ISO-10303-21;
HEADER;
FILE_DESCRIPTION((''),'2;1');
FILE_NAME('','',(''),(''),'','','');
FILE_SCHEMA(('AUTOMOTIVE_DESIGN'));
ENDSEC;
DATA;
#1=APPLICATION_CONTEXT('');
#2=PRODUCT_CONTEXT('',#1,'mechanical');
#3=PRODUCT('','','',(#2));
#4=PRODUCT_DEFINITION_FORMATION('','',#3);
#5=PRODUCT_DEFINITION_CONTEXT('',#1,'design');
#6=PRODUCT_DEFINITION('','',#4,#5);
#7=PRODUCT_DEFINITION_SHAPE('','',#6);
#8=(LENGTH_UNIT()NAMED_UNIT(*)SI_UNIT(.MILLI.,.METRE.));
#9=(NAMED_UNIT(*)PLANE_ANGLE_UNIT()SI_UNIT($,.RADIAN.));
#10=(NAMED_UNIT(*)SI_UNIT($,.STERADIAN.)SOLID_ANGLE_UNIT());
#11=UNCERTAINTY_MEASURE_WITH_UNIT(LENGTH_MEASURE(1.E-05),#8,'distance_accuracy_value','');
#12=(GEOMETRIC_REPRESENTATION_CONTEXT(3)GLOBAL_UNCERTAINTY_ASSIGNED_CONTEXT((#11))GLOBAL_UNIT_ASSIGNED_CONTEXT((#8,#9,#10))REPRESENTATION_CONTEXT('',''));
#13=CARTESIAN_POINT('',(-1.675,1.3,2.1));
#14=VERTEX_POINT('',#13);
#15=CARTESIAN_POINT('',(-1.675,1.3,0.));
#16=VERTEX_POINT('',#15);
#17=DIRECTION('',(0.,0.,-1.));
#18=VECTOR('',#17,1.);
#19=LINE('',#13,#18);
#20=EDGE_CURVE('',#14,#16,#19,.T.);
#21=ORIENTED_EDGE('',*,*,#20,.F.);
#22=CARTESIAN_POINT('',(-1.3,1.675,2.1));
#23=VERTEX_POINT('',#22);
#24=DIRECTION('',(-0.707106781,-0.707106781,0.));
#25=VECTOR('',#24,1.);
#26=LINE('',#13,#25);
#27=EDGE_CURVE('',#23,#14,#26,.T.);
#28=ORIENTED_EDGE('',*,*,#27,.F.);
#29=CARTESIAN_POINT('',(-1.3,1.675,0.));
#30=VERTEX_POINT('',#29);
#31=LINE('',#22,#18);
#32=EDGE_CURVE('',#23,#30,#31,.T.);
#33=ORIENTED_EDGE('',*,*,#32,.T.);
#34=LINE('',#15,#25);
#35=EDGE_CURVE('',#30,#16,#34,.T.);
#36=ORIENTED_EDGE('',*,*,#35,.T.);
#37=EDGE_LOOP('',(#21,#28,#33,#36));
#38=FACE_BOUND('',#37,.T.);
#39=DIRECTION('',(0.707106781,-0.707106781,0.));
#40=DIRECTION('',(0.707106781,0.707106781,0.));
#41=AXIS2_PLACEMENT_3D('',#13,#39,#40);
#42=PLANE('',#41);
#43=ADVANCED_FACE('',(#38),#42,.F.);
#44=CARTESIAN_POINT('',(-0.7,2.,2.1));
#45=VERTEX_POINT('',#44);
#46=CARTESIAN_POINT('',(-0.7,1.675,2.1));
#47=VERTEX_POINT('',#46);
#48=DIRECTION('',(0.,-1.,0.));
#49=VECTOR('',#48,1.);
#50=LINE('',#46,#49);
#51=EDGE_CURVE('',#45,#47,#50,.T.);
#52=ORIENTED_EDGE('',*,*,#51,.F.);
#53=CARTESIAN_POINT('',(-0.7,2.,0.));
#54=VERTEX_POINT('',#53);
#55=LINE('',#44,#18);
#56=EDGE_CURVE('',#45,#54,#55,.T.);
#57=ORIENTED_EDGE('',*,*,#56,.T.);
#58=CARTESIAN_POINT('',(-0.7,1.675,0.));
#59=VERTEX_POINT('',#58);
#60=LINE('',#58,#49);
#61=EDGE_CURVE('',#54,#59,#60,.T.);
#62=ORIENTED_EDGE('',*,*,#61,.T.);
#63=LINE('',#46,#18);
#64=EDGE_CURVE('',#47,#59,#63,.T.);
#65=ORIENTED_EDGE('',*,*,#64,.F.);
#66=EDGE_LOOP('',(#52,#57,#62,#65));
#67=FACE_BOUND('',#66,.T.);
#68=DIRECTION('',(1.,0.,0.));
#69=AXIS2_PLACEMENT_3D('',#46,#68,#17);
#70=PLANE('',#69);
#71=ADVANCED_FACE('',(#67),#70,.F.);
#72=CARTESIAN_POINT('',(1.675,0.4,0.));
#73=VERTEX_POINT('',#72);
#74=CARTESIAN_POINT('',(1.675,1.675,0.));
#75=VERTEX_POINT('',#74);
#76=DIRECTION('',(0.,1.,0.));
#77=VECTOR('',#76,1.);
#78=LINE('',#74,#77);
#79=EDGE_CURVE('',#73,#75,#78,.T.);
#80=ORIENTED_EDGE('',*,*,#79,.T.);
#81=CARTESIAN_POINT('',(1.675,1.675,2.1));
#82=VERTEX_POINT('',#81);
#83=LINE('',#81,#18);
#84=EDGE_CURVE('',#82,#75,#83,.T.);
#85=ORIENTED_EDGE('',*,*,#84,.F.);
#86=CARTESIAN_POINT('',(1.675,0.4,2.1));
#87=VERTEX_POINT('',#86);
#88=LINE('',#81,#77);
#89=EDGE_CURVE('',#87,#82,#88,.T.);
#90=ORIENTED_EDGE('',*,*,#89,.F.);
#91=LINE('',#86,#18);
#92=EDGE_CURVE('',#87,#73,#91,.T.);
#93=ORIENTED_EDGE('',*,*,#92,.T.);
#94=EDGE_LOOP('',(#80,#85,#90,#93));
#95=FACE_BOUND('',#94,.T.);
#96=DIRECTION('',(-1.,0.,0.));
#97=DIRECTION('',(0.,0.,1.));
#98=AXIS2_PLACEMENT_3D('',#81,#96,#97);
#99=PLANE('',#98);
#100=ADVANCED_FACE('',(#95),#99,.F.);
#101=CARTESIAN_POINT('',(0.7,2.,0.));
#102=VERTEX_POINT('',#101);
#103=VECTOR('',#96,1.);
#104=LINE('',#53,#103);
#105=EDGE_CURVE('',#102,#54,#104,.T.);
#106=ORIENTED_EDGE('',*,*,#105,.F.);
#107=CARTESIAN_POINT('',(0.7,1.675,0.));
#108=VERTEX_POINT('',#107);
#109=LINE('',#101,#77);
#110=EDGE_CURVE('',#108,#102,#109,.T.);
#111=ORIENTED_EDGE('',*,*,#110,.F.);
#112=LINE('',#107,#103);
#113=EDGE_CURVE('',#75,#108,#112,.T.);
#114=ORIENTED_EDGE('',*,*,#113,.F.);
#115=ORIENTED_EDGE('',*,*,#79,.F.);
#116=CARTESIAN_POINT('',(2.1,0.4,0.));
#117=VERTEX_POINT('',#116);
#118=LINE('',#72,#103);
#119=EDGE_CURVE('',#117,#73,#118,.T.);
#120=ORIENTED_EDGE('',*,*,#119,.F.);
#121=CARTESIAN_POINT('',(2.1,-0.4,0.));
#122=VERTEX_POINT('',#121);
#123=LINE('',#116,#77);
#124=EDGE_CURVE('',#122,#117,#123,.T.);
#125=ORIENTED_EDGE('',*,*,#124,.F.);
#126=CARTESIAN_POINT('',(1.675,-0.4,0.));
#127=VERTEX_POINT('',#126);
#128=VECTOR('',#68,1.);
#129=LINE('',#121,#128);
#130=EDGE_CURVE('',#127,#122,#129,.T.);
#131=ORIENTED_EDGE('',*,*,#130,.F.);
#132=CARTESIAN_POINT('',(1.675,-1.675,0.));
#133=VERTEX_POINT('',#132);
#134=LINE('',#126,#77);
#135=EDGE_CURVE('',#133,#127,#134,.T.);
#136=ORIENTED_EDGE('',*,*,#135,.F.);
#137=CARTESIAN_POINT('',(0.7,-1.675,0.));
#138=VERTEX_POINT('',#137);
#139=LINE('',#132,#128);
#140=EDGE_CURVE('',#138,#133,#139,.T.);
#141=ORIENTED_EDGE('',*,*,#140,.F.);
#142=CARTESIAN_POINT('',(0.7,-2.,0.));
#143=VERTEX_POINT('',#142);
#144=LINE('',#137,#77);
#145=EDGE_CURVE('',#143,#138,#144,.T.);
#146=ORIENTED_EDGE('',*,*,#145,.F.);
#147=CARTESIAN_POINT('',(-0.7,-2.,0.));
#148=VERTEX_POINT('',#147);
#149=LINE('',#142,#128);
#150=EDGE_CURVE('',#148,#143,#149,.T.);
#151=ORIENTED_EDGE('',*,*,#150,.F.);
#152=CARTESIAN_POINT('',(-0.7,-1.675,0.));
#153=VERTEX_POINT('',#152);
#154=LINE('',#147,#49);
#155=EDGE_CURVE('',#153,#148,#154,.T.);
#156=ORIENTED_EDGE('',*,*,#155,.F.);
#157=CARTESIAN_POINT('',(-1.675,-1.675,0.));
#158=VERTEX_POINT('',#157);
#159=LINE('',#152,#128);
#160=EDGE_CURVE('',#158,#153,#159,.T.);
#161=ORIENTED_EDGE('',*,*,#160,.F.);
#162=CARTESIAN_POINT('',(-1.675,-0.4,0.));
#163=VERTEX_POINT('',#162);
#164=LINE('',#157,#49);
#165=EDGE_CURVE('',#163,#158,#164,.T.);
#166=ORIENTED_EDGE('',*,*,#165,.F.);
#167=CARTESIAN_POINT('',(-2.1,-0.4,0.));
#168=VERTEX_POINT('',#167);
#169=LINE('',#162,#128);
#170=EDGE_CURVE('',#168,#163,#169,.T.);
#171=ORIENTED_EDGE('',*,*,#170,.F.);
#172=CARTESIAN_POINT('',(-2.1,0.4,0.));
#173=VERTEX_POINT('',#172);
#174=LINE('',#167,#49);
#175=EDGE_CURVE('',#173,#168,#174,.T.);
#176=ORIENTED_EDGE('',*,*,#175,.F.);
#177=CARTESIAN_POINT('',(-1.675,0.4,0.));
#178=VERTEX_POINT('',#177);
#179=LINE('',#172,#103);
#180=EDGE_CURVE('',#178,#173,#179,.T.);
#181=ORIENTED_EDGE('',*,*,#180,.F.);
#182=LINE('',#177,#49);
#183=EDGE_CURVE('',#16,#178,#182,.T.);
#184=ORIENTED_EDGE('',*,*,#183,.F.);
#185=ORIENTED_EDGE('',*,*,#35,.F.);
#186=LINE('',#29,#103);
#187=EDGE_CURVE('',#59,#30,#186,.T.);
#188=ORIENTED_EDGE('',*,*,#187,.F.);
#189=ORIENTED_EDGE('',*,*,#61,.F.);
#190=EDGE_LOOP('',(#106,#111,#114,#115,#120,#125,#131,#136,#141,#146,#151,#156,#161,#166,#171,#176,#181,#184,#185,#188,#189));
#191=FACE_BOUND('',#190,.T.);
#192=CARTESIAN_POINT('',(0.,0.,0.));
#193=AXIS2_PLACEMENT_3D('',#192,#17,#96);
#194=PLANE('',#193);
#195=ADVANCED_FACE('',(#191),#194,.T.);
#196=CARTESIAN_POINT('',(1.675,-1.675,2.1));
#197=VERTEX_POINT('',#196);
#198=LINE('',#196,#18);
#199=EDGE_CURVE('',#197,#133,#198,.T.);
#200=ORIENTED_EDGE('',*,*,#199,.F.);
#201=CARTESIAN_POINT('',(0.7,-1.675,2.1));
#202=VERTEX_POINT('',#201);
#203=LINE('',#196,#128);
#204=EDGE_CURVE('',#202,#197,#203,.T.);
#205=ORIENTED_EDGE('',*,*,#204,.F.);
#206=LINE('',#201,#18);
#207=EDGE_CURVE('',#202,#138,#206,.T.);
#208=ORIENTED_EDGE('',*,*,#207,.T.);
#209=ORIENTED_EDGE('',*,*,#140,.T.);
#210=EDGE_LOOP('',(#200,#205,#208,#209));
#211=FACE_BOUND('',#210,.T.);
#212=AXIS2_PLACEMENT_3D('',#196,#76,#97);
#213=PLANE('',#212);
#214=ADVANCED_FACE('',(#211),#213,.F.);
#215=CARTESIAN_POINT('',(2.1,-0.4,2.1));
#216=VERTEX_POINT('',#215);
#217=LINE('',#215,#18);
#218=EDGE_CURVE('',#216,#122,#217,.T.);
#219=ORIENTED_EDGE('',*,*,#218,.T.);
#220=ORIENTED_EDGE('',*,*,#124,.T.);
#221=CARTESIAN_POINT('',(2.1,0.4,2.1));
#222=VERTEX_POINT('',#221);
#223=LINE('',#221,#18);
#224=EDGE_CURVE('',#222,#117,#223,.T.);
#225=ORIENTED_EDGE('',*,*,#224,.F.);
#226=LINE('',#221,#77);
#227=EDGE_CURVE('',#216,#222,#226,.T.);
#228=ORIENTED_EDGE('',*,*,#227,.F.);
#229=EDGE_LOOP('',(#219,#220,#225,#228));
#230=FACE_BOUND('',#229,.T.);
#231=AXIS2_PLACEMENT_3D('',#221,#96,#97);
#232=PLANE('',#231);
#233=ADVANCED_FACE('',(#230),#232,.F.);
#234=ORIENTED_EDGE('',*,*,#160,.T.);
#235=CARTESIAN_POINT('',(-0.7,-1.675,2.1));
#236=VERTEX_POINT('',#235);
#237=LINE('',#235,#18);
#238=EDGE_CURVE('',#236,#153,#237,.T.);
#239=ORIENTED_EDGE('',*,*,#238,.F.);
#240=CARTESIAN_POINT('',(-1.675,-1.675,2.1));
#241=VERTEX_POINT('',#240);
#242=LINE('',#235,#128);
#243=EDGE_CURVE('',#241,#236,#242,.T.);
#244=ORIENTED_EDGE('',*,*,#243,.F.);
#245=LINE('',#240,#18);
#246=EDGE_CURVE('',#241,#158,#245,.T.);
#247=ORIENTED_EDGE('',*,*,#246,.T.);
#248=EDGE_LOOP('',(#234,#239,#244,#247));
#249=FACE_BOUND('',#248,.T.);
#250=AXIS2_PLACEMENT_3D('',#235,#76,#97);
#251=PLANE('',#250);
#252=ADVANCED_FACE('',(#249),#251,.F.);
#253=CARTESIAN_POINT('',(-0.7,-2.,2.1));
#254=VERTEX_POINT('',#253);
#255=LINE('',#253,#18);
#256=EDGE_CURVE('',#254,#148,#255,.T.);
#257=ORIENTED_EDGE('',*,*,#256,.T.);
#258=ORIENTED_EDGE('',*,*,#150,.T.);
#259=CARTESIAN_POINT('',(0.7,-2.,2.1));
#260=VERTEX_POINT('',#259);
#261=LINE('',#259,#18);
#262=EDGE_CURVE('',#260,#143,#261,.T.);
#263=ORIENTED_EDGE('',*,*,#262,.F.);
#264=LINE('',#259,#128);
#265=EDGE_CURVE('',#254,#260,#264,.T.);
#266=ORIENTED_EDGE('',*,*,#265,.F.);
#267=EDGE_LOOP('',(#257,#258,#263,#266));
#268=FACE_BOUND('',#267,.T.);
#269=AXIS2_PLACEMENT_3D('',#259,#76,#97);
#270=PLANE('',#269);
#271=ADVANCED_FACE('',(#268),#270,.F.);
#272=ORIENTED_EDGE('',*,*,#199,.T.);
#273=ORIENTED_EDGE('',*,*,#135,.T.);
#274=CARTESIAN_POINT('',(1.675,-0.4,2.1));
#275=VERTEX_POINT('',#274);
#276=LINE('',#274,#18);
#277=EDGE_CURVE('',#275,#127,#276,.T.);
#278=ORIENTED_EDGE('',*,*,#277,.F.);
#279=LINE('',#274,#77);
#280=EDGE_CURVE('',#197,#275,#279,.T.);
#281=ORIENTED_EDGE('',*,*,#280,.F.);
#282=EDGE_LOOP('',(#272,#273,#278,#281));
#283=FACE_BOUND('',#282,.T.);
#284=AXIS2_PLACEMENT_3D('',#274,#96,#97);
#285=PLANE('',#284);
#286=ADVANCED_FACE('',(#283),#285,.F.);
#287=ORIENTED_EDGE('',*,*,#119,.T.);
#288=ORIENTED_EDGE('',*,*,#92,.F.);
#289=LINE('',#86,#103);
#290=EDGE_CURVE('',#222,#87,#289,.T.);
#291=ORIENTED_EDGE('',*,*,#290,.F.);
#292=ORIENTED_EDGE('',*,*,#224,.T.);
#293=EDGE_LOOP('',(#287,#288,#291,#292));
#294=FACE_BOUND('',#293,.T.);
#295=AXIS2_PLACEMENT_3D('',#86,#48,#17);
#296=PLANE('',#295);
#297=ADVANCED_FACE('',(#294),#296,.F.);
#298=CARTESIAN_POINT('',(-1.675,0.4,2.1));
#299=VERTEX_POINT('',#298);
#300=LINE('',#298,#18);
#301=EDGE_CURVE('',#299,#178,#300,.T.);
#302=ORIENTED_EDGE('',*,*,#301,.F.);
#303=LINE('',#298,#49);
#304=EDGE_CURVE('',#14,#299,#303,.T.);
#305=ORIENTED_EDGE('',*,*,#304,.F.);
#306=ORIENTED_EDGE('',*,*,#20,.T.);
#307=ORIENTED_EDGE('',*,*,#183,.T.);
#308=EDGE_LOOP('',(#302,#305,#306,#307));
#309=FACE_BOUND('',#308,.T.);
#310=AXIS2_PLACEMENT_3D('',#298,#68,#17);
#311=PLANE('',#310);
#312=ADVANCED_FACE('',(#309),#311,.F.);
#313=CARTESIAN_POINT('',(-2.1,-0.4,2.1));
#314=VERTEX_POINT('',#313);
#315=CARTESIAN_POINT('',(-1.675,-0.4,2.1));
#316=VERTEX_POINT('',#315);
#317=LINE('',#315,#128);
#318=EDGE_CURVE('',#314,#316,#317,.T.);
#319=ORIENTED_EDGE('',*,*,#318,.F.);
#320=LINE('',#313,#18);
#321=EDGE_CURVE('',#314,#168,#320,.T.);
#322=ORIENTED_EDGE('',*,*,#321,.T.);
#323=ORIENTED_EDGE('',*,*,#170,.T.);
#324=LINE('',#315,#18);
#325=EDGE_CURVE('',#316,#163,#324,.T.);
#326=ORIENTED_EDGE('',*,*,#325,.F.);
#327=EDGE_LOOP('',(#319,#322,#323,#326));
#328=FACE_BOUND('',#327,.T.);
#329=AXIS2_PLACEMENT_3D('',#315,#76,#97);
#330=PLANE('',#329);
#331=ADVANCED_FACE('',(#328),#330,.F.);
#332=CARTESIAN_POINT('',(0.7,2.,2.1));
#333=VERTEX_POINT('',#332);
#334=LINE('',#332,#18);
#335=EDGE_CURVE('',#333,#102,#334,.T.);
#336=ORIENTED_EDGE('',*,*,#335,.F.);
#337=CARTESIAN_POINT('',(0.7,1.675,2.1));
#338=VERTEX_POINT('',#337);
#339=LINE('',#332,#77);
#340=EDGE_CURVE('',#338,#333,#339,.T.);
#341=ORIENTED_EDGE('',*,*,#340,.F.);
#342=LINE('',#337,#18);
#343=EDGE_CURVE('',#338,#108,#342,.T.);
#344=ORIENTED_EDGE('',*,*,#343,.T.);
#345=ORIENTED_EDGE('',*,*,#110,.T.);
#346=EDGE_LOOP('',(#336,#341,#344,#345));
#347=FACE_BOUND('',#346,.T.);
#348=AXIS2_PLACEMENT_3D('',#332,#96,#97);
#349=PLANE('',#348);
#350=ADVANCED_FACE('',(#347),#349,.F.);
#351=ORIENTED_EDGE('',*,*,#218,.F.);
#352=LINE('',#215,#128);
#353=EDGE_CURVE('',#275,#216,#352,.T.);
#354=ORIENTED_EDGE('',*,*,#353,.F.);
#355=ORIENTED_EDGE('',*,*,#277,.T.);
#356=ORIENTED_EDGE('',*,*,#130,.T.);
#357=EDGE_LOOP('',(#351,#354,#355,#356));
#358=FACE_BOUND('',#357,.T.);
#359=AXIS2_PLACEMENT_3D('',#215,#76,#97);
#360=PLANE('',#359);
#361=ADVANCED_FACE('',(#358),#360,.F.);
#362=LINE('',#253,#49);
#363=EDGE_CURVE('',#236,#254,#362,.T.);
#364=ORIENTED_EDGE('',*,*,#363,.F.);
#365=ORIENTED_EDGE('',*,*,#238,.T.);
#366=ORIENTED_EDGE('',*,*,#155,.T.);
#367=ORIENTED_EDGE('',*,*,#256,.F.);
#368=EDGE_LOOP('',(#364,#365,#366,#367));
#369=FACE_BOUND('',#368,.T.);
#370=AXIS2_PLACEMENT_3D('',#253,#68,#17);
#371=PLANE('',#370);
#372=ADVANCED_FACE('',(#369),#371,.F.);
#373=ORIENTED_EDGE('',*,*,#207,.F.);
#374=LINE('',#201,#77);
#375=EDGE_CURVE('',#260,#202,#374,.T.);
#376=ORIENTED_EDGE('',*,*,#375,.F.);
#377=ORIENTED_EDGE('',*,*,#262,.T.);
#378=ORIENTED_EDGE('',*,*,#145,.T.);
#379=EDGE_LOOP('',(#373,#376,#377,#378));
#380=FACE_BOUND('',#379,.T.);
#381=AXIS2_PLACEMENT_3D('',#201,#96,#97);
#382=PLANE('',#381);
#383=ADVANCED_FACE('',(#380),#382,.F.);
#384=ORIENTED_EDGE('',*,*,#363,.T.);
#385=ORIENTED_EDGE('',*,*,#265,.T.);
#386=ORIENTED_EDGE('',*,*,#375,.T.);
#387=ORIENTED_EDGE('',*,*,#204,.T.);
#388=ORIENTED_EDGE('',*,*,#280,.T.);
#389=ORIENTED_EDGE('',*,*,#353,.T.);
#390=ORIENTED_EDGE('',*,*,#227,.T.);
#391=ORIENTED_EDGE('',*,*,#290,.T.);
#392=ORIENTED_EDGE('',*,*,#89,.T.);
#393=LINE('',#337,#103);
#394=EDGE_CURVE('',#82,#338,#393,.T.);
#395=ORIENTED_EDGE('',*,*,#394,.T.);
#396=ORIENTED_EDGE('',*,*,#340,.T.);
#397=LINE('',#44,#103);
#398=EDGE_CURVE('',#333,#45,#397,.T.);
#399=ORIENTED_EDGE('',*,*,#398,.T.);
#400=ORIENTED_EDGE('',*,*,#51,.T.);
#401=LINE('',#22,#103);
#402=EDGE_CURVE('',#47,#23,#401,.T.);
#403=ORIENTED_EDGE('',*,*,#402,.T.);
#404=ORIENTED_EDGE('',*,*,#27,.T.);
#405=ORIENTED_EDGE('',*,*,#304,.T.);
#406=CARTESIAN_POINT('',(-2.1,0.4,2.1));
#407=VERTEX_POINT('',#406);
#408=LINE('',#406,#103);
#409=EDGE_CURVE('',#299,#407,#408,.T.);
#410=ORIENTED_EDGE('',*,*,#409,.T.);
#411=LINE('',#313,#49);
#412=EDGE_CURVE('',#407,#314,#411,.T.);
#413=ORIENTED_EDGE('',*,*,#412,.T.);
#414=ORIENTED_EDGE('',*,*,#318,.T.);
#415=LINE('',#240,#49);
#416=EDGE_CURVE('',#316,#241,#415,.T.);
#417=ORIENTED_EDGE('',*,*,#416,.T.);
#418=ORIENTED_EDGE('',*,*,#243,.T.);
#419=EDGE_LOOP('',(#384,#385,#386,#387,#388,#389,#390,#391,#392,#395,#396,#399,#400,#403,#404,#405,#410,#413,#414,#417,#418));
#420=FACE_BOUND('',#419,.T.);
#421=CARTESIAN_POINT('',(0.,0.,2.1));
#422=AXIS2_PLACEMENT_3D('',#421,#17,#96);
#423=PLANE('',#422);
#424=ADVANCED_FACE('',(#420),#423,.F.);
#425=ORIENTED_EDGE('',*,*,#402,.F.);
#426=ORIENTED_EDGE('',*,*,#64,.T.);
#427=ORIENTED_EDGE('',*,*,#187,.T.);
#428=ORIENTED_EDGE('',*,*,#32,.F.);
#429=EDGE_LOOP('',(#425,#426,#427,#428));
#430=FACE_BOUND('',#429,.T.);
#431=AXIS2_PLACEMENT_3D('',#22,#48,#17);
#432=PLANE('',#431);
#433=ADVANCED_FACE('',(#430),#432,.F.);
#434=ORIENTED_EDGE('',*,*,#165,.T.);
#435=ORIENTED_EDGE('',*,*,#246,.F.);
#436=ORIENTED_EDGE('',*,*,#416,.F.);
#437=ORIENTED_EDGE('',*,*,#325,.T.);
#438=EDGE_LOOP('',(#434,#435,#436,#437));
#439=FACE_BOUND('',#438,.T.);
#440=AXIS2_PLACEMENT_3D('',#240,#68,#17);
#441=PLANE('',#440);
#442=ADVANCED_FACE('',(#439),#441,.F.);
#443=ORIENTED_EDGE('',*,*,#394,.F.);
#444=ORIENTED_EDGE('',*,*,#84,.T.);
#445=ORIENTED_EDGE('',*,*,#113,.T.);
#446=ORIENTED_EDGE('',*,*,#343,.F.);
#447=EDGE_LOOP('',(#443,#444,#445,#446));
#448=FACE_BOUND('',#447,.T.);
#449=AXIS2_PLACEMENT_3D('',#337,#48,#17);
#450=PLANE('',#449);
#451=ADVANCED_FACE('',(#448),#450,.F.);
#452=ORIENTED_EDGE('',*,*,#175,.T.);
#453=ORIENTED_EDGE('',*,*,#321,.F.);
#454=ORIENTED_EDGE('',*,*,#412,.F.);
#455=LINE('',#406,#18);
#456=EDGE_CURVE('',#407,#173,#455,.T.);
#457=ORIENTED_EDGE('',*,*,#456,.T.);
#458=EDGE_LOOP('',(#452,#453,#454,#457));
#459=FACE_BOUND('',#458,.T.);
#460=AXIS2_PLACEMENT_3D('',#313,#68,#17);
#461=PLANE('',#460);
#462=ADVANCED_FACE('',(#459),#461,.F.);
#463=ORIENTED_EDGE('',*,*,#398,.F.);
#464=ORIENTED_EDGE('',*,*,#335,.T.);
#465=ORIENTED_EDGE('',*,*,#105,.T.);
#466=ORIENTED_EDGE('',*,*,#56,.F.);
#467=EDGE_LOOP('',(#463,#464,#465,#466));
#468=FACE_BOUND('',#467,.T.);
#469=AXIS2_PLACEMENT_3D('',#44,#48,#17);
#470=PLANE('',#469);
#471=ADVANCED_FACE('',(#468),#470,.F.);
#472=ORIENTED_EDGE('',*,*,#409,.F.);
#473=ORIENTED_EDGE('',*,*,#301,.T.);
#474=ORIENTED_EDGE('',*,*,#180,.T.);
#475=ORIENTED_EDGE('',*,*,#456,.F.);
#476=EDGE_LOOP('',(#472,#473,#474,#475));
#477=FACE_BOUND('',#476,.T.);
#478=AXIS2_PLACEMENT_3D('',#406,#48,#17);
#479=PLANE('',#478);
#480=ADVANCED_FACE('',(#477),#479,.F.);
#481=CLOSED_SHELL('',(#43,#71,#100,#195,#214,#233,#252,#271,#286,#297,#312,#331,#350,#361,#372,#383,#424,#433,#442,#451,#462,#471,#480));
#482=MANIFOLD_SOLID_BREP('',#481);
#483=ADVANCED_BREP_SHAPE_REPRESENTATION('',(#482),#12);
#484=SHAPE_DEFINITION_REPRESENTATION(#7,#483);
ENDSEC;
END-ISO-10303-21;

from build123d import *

# Parameters (mm, degrees)
COMPONENT_OUTLINE_DEPTH = 2.1


with BuildPart() as part:
    # 草图1 → Component_Outline (new body)
    with BuildSketch(Plane.XY):
        Polygon((0.7, 2), (0.7, 1.675), (1.675, 1.675), (1.675, 0.4), (2.1, 0.4), (2.1, -0.4), (1.675, -0.4), (1.675, -1.675), (0.7, -1.675), (0.7, -2), (-0.7, -2), (-0.7, -1.675), (-1.675, -1.675), (-1.675, -0.4), (-2.1, -0.4), (-2.1, 0.4), (-1.675, 0.4), (-1.675, 1.3), (-1.3, 1.675), (-0.7, 1.675), (-0.7, 2), align=None)
    extrude(amount=COMPONENT_OUTLINE_DEPTH)


solid = part.part
